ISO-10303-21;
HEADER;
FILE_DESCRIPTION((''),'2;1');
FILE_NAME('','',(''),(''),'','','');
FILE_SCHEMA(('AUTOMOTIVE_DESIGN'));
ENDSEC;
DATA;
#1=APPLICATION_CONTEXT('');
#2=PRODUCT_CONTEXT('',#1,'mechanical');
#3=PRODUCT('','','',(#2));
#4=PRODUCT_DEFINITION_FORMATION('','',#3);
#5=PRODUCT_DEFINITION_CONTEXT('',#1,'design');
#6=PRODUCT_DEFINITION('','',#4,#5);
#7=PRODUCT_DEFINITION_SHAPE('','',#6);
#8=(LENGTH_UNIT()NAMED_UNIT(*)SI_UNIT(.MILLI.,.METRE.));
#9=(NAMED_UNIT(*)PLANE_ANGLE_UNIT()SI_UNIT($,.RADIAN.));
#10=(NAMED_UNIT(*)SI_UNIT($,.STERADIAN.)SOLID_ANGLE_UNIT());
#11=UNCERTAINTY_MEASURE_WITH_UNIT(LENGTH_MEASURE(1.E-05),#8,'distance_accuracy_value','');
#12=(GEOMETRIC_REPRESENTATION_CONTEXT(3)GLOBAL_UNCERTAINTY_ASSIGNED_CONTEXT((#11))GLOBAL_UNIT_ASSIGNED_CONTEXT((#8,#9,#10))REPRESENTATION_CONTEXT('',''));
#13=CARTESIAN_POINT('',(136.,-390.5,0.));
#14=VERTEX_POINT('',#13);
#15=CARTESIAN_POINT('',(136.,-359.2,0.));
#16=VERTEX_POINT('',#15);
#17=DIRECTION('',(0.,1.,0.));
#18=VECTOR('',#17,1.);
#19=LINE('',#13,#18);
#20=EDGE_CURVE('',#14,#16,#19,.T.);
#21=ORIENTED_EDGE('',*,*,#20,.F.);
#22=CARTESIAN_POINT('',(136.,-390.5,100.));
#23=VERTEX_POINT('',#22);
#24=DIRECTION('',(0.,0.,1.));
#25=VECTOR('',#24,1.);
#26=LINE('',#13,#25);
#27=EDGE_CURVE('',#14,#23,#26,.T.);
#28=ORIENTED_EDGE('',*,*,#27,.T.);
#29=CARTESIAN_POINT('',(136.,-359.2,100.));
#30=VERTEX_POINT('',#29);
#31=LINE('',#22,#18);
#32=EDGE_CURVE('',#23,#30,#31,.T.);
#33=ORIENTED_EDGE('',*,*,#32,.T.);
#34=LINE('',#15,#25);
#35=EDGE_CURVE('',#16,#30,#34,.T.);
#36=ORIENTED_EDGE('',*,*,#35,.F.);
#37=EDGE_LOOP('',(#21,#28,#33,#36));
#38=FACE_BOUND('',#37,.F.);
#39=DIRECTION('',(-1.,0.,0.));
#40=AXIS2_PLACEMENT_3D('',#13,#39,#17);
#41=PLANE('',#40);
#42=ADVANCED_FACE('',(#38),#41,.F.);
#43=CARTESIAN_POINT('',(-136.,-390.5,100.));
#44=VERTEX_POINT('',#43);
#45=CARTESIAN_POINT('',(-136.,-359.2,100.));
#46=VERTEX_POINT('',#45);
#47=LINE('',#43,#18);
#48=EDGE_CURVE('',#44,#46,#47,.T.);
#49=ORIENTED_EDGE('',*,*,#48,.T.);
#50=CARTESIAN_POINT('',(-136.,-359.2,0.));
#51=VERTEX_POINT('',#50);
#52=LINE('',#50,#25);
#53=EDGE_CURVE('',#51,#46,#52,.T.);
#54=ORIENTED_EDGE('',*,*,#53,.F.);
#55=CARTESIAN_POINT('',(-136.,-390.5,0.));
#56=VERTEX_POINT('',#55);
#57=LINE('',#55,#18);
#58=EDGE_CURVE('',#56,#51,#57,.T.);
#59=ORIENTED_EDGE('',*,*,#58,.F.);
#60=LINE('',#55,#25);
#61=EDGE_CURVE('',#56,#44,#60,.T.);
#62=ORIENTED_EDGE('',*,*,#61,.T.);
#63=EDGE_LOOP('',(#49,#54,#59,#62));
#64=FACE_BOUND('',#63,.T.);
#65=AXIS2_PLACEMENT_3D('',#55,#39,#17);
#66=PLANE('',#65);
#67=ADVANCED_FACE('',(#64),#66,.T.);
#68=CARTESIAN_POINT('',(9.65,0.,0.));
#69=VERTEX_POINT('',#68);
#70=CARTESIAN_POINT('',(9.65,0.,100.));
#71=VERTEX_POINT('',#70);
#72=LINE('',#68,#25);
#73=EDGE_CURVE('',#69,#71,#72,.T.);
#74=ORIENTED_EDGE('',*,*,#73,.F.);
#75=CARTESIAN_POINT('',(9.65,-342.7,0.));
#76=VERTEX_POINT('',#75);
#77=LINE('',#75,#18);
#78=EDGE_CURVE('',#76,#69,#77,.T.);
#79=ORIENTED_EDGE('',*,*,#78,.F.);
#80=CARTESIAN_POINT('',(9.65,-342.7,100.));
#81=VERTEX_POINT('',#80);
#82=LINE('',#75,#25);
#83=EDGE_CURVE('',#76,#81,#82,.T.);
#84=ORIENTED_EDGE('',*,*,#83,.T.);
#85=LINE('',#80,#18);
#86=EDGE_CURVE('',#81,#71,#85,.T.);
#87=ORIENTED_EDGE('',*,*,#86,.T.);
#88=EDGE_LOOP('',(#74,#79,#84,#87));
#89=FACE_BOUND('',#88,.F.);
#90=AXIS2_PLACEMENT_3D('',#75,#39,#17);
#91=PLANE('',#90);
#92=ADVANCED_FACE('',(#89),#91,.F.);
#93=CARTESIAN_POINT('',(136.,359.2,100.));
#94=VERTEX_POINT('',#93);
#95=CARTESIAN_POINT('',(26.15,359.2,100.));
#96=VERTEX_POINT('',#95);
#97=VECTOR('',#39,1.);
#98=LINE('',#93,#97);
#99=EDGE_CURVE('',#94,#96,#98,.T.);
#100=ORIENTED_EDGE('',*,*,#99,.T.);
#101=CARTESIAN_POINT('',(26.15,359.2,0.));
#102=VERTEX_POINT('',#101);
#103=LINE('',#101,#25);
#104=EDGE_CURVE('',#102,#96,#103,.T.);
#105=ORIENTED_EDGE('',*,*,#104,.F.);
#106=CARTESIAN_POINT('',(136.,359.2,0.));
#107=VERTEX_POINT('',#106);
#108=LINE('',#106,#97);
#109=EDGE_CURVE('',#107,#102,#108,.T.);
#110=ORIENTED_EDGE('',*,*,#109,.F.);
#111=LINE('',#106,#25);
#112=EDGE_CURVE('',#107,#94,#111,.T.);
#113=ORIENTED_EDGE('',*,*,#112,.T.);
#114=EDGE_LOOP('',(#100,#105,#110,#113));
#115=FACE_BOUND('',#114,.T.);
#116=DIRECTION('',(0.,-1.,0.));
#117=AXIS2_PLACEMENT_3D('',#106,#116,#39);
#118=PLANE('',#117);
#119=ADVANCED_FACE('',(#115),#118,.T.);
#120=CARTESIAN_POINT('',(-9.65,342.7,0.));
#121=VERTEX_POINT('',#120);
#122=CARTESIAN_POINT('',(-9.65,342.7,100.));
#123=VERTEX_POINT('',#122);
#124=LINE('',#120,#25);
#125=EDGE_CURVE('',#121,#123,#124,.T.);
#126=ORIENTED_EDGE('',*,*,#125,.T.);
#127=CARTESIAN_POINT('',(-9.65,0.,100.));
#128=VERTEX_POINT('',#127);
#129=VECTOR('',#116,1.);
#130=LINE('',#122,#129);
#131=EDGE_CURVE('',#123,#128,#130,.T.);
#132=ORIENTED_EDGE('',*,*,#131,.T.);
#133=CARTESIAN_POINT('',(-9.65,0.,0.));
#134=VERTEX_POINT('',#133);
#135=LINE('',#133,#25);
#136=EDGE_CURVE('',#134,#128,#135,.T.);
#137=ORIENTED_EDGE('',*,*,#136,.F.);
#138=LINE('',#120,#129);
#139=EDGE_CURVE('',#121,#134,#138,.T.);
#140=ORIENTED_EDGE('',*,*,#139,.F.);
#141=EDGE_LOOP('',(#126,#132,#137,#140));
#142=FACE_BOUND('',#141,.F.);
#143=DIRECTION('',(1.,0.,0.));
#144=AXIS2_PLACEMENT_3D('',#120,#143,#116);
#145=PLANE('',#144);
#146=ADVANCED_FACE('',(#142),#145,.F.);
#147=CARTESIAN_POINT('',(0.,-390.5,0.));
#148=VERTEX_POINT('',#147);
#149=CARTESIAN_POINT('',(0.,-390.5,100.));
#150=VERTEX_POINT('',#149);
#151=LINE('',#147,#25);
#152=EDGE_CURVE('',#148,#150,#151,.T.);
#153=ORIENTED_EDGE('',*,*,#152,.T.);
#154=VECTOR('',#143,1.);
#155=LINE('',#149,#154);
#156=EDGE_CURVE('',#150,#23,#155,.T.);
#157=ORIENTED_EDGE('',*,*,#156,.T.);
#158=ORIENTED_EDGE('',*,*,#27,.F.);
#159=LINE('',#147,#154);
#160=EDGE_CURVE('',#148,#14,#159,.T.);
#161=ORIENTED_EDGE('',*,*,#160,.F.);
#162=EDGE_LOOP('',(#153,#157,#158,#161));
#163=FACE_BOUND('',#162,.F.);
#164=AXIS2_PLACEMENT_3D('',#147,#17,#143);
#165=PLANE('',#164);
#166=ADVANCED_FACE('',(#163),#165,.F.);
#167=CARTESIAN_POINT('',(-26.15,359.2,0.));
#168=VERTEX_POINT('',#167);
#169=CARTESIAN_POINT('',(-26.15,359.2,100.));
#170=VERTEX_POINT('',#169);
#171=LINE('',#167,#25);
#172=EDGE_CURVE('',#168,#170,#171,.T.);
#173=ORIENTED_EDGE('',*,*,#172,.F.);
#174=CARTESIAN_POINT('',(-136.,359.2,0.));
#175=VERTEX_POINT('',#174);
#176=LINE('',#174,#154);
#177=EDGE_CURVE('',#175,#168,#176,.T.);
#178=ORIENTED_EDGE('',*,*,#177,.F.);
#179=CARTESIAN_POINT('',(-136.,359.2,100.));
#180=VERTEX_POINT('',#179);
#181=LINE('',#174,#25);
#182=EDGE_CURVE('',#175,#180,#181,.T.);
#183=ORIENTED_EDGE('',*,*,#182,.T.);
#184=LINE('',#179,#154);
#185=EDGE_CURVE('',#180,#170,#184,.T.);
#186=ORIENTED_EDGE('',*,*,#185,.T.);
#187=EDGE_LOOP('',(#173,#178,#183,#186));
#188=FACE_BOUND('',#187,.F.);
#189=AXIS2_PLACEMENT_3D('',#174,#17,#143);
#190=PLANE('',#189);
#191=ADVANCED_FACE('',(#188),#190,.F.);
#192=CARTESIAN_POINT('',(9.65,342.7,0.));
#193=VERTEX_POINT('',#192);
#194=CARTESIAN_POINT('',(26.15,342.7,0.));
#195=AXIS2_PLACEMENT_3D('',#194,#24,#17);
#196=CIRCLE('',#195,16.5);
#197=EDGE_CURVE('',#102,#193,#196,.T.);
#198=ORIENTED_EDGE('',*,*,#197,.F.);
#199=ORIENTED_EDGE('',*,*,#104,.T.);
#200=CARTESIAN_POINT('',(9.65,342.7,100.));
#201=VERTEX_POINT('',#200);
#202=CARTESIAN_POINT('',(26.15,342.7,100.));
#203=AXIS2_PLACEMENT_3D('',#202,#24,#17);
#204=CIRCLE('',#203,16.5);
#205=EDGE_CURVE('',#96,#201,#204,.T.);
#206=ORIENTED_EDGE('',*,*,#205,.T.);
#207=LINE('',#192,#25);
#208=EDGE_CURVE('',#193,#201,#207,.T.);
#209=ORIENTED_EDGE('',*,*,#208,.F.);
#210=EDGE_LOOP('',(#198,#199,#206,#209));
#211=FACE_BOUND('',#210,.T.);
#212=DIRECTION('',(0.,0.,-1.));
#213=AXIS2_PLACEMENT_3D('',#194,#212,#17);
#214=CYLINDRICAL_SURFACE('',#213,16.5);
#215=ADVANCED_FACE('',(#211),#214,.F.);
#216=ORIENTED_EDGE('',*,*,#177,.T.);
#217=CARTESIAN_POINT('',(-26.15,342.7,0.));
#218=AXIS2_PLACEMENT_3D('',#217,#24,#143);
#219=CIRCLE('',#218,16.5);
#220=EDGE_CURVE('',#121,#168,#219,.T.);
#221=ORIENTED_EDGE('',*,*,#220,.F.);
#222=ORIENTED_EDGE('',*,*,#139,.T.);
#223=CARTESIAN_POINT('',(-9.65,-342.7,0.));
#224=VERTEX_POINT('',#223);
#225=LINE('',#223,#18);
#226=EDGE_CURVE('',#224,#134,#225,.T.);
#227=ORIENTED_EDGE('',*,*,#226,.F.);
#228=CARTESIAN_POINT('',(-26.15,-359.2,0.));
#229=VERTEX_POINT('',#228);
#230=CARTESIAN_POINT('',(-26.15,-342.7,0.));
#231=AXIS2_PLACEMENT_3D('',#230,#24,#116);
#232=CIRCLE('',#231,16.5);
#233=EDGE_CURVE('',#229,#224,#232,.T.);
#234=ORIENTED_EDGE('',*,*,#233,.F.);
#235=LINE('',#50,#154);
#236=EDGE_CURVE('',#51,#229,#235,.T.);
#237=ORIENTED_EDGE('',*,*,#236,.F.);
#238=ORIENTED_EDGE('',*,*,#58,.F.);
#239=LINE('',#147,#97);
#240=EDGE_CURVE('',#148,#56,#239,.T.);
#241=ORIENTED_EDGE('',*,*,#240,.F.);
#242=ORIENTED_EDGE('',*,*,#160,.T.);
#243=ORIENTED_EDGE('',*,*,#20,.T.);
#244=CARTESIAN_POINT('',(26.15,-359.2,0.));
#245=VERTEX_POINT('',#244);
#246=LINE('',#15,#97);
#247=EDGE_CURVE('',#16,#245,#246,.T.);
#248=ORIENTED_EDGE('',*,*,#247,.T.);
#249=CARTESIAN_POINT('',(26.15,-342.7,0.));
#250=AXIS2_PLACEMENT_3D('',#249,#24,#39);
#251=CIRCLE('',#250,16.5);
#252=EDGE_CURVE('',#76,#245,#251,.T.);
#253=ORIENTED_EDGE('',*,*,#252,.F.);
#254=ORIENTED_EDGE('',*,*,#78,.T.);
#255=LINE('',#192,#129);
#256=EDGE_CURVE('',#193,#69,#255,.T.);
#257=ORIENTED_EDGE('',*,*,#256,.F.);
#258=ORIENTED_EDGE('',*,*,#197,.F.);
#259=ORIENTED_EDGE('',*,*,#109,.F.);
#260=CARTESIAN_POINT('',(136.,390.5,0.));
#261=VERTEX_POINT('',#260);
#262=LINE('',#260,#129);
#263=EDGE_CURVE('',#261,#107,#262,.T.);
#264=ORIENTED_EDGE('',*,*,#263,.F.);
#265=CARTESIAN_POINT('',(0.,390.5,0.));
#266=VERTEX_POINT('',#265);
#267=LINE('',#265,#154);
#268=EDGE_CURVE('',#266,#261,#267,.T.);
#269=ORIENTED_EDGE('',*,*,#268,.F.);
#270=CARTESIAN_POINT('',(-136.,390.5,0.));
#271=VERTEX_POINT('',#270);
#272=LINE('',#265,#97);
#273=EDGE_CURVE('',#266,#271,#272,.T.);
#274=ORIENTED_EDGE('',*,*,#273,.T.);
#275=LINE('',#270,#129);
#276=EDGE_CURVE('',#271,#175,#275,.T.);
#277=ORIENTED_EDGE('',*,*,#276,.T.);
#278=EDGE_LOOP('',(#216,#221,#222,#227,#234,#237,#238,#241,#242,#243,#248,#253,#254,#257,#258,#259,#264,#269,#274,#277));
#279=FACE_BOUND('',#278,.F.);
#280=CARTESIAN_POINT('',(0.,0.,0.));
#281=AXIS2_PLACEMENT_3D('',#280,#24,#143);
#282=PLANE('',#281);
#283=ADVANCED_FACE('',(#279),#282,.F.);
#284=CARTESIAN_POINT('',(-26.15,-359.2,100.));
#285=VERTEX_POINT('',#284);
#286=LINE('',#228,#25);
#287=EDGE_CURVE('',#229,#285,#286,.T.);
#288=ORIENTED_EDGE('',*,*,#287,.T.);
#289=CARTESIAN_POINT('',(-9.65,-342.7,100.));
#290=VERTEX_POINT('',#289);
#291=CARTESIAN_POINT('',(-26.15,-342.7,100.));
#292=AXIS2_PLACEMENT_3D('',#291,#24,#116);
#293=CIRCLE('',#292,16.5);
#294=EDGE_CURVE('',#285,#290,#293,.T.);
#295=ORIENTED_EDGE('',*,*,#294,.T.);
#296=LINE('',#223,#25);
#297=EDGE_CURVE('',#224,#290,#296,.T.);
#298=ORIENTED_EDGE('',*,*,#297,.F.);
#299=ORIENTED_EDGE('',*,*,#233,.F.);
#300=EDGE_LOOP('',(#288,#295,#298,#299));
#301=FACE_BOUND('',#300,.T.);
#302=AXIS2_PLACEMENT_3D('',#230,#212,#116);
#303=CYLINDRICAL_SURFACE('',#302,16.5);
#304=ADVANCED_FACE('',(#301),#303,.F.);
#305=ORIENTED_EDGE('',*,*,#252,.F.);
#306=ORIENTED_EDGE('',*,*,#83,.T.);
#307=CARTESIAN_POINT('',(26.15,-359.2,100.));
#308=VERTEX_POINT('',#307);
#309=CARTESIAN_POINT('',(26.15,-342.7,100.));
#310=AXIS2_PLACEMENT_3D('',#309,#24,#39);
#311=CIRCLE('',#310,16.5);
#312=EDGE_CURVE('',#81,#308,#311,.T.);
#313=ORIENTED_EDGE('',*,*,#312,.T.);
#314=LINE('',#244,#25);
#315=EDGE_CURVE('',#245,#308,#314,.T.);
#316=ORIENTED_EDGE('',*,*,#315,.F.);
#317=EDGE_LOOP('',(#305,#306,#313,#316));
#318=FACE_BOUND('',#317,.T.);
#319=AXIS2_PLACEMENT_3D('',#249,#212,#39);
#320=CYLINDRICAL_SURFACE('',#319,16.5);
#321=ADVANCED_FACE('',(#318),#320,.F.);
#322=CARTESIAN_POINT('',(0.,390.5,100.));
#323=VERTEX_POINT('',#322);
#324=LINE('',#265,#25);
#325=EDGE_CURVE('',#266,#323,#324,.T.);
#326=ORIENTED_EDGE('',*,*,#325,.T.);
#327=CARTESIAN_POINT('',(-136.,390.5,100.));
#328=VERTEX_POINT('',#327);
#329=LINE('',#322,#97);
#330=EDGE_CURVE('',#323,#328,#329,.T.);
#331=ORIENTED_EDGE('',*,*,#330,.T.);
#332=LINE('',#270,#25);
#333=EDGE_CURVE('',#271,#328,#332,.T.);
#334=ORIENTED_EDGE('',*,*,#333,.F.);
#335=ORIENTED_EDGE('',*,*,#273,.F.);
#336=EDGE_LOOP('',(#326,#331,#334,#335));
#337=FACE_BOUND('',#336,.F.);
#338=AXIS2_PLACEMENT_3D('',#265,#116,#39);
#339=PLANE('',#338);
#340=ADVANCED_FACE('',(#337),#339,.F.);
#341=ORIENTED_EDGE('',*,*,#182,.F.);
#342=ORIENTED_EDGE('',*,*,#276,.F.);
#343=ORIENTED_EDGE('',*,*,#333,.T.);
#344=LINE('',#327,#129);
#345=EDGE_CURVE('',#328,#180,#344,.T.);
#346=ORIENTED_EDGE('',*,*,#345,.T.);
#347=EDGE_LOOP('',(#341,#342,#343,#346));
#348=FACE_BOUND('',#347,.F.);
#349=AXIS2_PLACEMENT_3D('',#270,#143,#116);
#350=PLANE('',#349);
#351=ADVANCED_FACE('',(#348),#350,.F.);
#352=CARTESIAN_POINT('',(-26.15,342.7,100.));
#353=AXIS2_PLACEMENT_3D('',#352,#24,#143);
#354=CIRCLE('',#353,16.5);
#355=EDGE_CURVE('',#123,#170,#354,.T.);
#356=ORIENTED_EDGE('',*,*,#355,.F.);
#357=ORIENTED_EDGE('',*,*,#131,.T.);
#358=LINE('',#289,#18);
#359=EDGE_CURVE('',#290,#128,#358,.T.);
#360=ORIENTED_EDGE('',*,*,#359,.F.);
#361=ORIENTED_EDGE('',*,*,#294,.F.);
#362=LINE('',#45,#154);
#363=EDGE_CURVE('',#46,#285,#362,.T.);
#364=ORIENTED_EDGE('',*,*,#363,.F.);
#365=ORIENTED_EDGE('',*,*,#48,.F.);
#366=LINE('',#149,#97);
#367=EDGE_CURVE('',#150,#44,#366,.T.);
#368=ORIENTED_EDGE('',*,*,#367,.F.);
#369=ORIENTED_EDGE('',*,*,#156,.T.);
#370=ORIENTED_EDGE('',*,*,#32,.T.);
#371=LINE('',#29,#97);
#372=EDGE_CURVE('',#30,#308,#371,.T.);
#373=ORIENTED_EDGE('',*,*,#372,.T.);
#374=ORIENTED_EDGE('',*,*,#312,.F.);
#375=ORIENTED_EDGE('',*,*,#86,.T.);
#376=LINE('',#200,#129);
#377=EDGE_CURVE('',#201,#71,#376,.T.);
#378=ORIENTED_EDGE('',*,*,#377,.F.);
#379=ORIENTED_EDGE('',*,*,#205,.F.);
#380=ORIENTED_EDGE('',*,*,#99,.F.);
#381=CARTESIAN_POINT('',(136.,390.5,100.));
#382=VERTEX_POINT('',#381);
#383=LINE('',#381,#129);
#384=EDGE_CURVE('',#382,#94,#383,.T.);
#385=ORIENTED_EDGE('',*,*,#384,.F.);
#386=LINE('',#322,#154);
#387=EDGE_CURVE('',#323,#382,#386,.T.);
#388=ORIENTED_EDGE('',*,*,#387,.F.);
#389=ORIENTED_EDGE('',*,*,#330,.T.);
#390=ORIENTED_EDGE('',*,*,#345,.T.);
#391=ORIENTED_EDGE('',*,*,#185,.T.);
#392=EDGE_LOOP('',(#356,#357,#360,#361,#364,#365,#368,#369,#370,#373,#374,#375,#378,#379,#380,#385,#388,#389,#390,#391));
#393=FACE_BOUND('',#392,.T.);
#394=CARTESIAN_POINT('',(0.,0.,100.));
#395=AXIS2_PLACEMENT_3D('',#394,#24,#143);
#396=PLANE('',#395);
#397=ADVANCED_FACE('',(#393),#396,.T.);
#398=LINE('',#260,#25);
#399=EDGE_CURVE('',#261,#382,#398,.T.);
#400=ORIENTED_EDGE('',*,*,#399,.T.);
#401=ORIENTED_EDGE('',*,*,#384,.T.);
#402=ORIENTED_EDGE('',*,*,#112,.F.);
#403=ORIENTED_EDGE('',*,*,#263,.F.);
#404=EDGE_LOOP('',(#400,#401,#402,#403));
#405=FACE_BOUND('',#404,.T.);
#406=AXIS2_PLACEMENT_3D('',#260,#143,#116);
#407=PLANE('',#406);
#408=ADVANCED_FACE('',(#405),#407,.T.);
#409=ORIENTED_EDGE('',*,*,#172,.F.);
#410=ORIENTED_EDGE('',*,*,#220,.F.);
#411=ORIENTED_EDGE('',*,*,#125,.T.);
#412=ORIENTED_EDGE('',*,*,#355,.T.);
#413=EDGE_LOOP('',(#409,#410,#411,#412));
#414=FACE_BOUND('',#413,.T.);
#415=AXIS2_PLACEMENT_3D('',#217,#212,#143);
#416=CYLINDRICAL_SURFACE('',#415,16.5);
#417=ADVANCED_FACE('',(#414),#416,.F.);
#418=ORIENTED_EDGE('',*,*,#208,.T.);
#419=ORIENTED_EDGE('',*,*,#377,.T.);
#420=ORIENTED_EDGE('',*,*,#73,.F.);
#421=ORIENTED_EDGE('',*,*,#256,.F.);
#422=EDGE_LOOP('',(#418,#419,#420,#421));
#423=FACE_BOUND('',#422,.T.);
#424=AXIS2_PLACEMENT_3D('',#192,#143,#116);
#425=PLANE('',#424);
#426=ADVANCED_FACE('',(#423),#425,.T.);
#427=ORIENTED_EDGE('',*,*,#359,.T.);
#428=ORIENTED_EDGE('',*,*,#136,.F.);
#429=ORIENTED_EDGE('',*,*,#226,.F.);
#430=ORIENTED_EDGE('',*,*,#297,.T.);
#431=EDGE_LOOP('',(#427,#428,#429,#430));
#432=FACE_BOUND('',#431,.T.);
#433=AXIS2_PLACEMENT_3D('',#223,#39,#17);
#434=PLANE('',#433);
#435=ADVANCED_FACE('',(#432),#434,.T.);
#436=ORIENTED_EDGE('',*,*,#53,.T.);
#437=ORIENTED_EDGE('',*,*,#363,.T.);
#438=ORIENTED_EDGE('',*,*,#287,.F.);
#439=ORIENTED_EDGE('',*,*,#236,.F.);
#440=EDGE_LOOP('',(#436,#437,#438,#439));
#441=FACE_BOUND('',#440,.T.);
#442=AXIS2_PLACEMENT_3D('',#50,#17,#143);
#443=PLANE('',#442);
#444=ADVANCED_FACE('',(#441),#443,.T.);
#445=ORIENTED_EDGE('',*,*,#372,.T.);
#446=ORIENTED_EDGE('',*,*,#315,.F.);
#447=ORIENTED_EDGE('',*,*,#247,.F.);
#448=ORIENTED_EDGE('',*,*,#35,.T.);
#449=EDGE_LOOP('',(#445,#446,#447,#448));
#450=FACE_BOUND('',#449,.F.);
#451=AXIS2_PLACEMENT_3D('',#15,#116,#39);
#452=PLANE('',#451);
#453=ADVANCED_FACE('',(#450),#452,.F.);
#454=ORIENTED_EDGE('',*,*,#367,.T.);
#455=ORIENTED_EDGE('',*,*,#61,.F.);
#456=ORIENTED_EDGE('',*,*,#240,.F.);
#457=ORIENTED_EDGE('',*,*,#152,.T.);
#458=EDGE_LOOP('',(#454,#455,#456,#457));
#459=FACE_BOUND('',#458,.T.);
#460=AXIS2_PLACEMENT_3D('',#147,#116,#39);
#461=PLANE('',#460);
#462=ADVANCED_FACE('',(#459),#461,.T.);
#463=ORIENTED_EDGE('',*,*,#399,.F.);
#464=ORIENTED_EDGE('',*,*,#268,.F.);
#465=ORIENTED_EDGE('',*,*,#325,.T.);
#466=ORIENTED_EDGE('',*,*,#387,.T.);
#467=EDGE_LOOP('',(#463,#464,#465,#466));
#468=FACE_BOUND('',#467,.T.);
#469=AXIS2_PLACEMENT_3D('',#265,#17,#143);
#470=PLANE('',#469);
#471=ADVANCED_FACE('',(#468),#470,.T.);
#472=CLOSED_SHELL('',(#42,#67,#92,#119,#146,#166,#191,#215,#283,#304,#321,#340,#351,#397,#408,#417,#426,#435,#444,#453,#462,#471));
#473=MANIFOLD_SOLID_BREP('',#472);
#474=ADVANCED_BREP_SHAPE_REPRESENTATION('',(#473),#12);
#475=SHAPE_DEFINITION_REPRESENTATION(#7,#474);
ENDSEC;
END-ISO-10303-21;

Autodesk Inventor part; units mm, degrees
ref_plane "YZ Plane" through (0, 0, 0) normal (1, 0, 0) x (0, 1, 0)
ref_plane "Start plane" through (0, 0, 0) normal (0, 0, 1) x (1, 0, 0)
ref_plane "End plane" through (0, 0, 100) normal (0, 0, 1) x (1, 0, 0)
sketch "Sketch" plane through (0, 0, 0) normal (0, 0, 1) x (1, 0, 0)
  line L0 (-136, -390.5) -> (-136, -359.2)
  line L1 (-136, -359.2) -> (-26.15, -359.2)
  line L2 (-9.65, -342.7) -> (-9.65, 0)
  line L3 (-9.65, 0) -> (0, 0) construction
  line L4 (0, 0) -> (0, -390.5) construction
  line L5 (0, -390.5) -> (-136, -390.5)
  line L6 (-60, 0) -> (80, 0) construction
  line L7 (0, -60) -> (0, 80) construction
  line L8 (136, -390.5) -> (136, -359.2)
  line L9 (136, -359.2) -> (26.15, -359.2)
  line L10 (9.65, -342.7) -> (9.65, 0)
  line L11 (9.65, 0) -> (0, 0) construction
  line L12 (0, -390.5) -> (136, -390.5)
  line L13 (-136, 390.5) -> (-136, 359.2)
  line L14 (-136, 359.2) -> (-26.15, 359.2)
  line L15 (-9.65, 342.7) -> (-9.65, 0)
  line L16 (0, 390.5) -> (-136, 390.5)
  line L17 (136, 390.5) -> (136, 359.2)
  line L18 (136, 359.2) -> (26.15, 359.2)
  line L19 (0, 390.5) -> (136, 390.5)
  line L20 (9.65, 342.7) -> (9.65, 0)
  arc A0 (-9.65, 342.7) -> (-26.15, 359.2) centre (-26.15, 342.7) ccw
  arc A1 (26.15, 359.2) -> (9.65, 342.7) centre (26.15, 342.7) ccw
  arc A2 (9.65, -342.7) -> (26.15, -359.2) centre (26.15, -342.7) ccw
  arc A3 (-26.15, -359.2) -> (-9.65, -342.7) centre (-26.15, -342.7) ccw
  line L21 (0, 108) -> (0, -88) construction
  line L22 (-88, 0) -> (108, 0) construction
  point P0 (-9.65, -359.2)
  point P1 (9.65, -359.2)
  point P2 (-9.65, 359.2)
  point P3 (9.65, 359.2)
  dimension "d1" = 390.5
  dimension "d2" = 31.3
  dimension "d3" = 136
  dimension "d4" = 9.65
  dimension "d10" = 16.5
extrude "Body" add sketch "Sketch" along normal up to surface (100 mm away) from surface at 0
sketch "Sketch4" plane through (0, 0, 0) normal (0, 0, 1) x (1, 0, 0)
  line L0 (0, 0) -> (10, 0)
ref_plane "Work Plane3" through (0, 0, 0) normal (0, -1, 0) x (1, 0, 0)
sketch "Sketch5" plane through (0, 0, 0) normal (0, -1, 0) x (1, 0, 0)
  line L0 (-2, 0) -> (12, 0) projected
  line L1 (-2, 100) -> (12, 100) projected
  dimension "d14" = 100
equation "\"d1\" = 0.5 * G_H"
equation "\"d2\" = G_T1"
equation "\"d3\" = 0.5 * G_W"
equation "\"d4\" = 0.5 * G_T"
equation "\"d10\" = G_IR"
equation "\"d5\" = G_L"
equation "\"G_W\" = 272"
equation "\"G_H\" = 781"
equation "\"G_T\" = 19.3"
equation "\"G_T1\" = 31.3"
equation "\"G_IR\" = 16.5"
equation "\"G_L\" = d14"
equation "\"G_OFFSET_START\" = 0"
equation "\"G_OFFSET_END\" = 0"
properties part number "AS 3679-1990 - 760 UB - 244 - 100" material "Steel, Mild"
